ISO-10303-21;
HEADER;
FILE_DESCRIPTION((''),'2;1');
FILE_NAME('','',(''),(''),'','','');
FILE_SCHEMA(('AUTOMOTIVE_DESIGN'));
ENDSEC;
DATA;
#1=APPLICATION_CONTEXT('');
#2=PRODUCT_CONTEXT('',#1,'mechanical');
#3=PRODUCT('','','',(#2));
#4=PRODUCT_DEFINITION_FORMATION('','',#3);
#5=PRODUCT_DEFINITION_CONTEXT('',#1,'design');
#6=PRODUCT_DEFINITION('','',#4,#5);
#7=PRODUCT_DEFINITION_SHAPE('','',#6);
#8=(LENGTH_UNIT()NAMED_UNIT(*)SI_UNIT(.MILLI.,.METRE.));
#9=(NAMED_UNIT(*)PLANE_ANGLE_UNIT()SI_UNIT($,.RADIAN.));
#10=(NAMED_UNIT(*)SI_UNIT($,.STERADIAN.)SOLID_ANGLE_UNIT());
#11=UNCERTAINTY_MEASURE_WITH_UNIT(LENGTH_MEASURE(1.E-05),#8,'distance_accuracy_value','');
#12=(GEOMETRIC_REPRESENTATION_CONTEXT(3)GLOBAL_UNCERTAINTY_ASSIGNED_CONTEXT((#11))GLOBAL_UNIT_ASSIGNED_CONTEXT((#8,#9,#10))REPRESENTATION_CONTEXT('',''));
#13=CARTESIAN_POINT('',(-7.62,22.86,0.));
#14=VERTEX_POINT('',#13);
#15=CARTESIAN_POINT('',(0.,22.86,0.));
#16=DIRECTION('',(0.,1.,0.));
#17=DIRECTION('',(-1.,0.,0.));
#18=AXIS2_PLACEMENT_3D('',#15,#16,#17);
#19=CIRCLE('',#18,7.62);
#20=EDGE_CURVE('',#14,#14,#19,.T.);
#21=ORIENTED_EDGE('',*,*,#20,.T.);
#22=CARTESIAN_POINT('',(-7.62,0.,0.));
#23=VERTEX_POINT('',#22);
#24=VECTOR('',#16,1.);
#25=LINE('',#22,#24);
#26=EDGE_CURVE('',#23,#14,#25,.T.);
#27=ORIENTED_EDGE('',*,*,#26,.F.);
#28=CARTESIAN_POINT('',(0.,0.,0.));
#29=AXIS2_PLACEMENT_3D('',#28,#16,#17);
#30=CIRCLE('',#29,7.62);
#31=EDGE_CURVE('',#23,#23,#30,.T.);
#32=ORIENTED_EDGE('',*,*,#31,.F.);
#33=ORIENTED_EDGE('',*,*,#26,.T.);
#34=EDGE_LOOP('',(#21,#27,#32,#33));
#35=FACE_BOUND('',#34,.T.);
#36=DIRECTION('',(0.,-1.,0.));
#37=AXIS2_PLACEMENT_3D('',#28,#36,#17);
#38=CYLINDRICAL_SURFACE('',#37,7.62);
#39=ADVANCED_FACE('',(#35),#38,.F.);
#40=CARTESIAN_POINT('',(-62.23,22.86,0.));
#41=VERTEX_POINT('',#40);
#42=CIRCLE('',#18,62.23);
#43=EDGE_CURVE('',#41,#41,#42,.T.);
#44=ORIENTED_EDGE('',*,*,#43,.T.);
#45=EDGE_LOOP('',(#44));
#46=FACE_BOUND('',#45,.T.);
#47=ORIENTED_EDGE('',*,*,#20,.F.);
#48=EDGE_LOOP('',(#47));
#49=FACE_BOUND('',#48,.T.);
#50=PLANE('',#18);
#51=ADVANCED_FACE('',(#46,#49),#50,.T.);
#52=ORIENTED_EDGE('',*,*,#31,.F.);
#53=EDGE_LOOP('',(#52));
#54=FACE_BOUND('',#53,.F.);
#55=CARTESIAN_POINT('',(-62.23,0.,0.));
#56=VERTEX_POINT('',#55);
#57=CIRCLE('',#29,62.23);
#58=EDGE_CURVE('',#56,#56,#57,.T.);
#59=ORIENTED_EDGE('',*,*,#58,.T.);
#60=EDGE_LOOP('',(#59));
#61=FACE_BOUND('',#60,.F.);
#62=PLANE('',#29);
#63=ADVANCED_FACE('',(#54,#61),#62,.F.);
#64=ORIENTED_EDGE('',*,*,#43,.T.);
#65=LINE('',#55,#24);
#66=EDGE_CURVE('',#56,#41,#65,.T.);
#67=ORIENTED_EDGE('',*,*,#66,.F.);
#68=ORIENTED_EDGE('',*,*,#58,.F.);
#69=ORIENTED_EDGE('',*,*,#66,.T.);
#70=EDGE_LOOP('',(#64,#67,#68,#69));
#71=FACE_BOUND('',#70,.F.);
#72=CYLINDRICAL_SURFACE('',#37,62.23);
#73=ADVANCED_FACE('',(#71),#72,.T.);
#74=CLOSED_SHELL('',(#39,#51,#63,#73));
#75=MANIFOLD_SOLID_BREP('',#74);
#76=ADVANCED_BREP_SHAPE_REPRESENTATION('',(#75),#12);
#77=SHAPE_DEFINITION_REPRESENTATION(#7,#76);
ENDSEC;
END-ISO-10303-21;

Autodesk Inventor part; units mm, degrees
ref_plane "YZ Plane" through (0, 0, 0) normal (1, 0, 0) x (0, 1, 0)
ref_plane "XZ Plane" through (0, 0, 0) normal (0, 1, 0) x (-1, 0, 0)
ref_plane "XY Plane" through (0, 0, 0) normal (0, 0, 1) x (1, 0, 0)
sketch "Sketch1" plane through (0, 0, 0) normal (0, 1, 0) x (-1, 0, 0)
  circle A0 centre (0, 0) radius 62.23
  circle A1 centre (0, 0) radius 7.62
  dimension "d0" = 124.46
  dimension "d1" = 15.24
extrude "Extrusion1" add sketch "Sketch1" along normal blind 22.86
properties part number "collector arm wheel"
